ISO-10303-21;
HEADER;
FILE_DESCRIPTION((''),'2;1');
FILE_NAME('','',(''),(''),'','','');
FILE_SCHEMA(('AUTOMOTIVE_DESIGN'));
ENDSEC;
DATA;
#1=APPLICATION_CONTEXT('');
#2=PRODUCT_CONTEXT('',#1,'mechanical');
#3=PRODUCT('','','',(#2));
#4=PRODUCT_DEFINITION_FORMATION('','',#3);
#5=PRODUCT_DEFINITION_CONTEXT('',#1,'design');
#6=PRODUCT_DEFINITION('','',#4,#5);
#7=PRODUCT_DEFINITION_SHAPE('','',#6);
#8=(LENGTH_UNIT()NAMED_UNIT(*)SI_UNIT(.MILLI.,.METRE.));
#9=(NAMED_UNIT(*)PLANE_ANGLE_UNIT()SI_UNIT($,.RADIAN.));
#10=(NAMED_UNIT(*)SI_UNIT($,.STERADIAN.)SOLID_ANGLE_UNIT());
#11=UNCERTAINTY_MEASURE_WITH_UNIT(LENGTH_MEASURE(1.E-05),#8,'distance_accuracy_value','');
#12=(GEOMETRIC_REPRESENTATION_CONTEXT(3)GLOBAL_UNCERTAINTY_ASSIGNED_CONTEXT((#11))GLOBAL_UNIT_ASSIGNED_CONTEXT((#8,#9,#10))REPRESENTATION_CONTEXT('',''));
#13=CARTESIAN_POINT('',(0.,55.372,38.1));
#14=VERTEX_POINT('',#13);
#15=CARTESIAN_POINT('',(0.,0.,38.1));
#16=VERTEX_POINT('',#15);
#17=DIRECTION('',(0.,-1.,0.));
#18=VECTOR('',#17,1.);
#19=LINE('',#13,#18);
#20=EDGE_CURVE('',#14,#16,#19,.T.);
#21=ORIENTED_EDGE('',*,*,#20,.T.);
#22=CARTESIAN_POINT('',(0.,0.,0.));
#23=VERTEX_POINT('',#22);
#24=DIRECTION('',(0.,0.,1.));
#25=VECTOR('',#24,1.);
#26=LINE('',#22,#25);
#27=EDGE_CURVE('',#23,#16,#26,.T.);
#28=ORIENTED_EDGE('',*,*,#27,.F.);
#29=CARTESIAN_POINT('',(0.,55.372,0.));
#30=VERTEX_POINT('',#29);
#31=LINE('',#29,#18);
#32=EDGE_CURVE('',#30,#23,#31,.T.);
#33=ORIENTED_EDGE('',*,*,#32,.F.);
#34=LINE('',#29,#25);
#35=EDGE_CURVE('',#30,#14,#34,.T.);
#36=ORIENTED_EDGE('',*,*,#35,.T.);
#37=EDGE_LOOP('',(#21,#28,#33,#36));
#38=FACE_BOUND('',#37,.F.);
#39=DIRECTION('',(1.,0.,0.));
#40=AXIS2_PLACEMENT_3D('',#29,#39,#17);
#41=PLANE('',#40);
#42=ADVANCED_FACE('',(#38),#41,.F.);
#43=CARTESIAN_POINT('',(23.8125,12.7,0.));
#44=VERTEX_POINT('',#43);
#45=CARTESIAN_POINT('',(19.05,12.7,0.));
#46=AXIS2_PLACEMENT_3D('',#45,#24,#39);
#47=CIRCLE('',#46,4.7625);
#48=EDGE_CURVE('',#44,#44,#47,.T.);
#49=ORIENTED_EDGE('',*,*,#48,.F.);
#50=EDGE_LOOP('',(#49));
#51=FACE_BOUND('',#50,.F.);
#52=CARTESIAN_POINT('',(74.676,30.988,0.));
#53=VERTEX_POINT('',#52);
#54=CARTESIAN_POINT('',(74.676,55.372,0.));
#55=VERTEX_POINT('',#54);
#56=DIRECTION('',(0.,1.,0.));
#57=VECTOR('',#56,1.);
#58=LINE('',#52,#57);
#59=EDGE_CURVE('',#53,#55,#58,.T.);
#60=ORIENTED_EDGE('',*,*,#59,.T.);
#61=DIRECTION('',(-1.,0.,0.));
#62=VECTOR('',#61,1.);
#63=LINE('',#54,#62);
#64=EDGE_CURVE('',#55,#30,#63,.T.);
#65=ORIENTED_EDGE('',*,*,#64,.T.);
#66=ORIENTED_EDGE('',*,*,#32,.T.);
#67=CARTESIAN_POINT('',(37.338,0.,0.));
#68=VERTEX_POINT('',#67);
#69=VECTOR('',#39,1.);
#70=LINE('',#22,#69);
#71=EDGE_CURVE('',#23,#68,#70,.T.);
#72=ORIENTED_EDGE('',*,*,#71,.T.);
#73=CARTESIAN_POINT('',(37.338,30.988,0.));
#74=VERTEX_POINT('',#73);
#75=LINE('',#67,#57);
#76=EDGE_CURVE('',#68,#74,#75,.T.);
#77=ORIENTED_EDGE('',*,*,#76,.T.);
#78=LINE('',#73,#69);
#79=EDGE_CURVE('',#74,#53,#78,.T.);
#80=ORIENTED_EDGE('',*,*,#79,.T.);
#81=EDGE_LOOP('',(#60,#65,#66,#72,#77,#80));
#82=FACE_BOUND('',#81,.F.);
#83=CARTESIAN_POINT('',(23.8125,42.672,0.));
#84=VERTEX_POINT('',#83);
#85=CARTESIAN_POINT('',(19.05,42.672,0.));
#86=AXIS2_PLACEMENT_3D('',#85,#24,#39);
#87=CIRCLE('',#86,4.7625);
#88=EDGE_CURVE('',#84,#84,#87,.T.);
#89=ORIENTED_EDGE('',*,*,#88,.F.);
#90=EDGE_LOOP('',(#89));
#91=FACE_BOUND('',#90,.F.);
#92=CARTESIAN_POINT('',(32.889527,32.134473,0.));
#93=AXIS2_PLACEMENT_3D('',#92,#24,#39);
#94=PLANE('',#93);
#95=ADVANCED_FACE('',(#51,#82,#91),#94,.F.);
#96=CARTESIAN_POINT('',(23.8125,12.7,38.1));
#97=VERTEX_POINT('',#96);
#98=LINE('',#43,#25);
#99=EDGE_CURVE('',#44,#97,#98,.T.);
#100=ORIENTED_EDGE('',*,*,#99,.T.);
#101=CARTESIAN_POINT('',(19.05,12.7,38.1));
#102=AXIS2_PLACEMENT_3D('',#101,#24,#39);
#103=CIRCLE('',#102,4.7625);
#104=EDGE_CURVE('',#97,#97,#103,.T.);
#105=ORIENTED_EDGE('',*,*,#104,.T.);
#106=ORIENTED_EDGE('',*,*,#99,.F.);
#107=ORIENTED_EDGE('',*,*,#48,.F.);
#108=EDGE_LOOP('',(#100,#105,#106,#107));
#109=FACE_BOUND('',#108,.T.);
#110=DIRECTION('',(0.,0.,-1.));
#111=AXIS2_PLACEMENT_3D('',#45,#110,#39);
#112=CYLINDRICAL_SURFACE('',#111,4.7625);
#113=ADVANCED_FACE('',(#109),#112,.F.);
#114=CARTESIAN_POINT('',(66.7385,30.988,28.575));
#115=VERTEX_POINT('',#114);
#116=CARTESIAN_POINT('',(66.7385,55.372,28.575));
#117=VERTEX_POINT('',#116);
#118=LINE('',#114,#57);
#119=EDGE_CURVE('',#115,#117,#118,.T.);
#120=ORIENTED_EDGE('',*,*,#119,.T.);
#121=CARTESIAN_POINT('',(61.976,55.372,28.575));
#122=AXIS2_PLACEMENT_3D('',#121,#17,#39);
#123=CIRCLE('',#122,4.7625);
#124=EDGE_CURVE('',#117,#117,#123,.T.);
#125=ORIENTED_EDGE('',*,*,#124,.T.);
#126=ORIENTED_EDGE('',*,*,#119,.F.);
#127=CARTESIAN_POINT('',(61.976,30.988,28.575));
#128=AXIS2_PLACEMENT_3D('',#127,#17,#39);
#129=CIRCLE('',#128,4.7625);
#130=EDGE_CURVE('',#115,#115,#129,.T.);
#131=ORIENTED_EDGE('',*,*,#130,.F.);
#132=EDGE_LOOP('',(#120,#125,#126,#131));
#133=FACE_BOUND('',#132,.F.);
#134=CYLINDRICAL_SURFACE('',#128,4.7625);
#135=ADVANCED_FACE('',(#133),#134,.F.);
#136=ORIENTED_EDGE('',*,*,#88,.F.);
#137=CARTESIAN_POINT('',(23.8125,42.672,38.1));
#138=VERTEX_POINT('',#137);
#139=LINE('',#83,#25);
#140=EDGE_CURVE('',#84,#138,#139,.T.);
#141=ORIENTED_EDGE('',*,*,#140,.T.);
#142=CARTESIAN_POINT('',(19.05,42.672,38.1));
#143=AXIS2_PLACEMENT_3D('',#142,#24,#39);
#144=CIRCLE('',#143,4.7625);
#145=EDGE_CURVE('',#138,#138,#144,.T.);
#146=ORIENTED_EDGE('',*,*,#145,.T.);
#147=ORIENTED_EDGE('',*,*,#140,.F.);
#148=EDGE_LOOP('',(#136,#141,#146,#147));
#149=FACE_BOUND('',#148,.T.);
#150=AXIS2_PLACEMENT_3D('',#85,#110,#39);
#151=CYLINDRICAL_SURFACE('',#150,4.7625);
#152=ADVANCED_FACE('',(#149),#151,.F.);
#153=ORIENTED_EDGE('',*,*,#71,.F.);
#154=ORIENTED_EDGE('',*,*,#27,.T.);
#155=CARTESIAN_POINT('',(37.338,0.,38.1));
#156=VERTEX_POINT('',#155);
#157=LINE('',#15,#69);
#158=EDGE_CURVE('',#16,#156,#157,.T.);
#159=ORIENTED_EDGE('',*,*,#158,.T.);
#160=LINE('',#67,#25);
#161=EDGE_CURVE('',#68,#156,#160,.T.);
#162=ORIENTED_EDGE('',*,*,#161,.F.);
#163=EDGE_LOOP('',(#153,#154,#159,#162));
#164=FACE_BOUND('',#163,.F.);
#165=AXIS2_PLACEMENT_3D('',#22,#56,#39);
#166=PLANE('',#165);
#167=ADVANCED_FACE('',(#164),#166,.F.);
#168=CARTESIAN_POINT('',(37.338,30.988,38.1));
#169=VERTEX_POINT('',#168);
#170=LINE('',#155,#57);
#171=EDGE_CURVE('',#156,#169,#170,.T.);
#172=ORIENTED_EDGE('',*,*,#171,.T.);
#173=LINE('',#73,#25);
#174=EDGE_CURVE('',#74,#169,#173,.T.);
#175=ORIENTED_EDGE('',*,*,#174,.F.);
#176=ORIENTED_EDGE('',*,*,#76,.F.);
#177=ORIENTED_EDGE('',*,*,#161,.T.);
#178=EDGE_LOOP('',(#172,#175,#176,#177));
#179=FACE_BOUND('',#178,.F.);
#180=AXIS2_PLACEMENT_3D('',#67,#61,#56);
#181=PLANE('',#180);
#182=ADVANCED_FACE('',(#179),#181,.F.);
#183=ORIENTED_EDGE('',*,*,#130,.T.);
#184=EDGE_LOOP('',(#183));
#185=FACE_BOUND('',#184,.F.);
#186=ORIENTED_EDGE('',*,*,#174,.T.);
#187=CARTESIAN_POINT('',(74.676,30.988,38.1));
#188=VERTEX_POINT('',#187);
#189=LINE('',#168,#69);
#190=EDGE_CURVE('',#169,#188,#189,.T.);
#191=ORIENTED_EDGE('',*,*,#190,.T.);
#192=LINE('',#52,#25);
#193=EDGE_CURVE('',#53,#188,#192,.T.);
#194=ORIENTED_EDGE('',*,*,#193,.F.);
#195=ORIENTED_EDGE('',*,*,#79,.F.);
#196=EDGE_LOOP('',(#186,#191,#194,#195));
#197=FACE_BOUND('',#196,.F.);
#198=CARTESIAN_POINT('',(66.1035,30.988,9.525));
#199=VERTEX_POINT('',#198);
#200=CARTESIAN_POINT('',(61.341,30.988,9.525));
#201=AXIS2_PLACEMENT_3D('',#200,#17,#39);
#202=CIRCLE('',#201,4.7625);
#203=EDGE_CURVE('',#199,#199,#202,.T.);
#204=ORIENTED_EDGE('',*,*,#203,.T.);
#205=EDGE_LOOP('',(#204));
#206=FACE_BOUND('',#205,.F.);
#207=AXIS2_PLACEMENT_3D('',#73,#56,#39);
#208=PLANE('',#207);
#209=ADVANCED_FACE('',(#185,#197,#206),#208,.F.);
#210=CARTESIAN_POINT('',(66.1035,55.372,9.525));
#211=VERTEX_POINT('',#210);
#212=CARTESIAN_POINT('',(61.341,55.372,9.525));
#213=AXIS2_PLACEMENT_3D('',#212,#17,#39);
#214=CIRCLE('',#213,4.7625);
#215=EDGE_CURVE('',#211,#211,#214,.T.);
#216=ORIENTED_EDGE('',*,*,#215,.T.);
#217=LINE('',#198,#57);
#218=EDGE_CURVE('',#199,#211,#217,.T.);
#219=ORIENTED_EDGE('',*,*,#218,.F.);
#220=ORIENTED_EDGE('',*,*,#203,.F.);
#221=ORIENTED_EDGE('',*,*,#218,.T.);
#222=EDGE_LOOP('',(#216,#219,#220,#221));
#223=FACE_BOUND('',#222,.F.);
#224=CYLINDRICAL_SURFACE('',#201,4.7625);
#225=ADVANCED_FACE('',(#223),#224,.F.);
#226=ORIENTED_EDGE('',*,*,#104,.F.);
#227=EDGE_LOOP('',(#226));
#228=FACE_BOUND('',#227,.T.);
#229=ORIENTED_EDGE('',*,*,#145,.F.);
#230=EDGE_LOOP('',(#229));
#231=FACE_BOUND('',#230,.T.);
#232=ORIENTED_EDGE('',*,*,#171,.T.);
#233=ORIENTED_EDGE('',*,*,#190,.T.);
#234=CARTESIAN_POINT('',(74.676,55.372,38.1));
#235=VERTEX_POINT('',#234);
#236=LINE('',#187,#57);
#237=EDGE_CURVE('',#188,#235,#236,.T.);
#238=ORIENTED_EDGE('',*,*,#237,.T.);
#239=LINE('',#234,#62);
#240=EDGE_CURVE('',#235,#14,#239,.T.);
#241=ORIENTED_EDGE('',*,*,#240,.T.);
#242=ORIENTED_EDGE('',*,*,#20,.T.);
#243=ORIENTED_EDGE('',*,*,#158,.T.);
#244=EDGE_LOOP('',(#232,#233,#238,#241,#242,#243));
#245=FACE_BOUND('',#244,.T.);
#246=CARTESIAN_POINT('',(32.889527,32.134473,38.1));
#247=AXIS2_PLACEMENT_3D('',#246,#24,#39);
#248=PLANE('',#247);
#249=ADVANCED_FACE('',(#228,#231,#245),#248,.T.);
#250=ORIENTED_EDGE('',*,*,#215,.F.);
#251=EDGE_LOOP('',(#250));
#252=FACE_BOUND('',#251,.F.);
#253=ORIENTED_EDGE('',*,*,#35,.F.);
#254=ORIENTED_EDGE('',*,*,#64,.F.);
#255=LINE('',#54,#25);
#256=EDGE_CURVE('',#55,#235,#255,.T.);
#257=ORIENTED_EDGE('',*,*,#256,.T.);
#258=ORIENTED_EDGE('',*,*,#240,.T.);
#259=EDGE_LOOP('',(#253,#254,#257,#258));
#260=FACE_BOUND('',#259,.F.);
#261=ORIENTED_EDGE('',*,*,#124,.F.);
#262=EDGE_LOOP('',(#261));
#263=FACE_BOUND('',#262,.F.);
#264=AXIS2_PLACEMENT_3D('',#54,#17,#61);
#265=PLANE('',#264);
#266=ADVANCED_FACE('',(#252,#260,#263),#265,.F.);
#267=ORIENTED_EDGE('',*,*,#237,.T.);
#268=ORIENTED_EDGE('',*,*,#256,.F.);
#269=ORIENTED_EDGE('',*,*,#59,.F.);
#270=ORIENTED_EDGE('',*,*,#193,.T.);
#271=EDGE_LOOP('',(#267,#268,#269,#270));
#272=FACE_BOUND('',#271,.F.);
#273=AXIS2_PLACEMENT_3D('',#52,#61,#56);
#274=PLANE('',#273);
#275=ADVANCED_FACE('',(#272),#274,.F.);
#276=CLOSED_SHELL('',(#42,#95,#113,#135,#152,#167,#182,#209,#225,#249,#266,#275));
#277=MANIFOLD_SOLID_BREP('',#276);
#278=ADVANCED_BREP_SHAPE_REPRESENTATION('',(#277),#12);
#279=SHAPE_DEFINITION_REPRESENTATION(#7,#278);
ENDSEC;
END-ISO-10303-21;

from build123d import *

# Parameters (mm, degrees)
F0_R     = 4.7625
F1_DEPTH = 38.1
F2_R     = 4.7625
F3_DEPTH = 24.385


with BuildPart() as f1:
    # F0 (on Top) → F1 (new body)
    with BuildSketch(Plane.XY):
        Polygon((0, 55.372), (0, 0), (37.338, 0), (37.338, 30.988), (74.676, 30.988), (74.676, 55.372), (37.338, 55.372), align=None)
        with Locations((19.05, 12.7)):
            Circle(F0_R, mode=Mode.SUBTRACT)
        with Locations((19.05, 42.672)):
            Circle(F0_R, mode=Mode.SUBTRACT)
    extrude(amount=F1_DEPTH)

    # F2 (on face) → F3 (cut, through all)
    with BuildSketch(Plane.XZ.offset(-30.988)):
        with Locations((61.976, 28.575)):
            Circle(F2_R)
        with Locations((61.341, 9.525)):
            Circle(F2_R)
    extrude(amount=-F3_DEPTH, mode=Mode.SUBTRACT)


solid = f1.part
